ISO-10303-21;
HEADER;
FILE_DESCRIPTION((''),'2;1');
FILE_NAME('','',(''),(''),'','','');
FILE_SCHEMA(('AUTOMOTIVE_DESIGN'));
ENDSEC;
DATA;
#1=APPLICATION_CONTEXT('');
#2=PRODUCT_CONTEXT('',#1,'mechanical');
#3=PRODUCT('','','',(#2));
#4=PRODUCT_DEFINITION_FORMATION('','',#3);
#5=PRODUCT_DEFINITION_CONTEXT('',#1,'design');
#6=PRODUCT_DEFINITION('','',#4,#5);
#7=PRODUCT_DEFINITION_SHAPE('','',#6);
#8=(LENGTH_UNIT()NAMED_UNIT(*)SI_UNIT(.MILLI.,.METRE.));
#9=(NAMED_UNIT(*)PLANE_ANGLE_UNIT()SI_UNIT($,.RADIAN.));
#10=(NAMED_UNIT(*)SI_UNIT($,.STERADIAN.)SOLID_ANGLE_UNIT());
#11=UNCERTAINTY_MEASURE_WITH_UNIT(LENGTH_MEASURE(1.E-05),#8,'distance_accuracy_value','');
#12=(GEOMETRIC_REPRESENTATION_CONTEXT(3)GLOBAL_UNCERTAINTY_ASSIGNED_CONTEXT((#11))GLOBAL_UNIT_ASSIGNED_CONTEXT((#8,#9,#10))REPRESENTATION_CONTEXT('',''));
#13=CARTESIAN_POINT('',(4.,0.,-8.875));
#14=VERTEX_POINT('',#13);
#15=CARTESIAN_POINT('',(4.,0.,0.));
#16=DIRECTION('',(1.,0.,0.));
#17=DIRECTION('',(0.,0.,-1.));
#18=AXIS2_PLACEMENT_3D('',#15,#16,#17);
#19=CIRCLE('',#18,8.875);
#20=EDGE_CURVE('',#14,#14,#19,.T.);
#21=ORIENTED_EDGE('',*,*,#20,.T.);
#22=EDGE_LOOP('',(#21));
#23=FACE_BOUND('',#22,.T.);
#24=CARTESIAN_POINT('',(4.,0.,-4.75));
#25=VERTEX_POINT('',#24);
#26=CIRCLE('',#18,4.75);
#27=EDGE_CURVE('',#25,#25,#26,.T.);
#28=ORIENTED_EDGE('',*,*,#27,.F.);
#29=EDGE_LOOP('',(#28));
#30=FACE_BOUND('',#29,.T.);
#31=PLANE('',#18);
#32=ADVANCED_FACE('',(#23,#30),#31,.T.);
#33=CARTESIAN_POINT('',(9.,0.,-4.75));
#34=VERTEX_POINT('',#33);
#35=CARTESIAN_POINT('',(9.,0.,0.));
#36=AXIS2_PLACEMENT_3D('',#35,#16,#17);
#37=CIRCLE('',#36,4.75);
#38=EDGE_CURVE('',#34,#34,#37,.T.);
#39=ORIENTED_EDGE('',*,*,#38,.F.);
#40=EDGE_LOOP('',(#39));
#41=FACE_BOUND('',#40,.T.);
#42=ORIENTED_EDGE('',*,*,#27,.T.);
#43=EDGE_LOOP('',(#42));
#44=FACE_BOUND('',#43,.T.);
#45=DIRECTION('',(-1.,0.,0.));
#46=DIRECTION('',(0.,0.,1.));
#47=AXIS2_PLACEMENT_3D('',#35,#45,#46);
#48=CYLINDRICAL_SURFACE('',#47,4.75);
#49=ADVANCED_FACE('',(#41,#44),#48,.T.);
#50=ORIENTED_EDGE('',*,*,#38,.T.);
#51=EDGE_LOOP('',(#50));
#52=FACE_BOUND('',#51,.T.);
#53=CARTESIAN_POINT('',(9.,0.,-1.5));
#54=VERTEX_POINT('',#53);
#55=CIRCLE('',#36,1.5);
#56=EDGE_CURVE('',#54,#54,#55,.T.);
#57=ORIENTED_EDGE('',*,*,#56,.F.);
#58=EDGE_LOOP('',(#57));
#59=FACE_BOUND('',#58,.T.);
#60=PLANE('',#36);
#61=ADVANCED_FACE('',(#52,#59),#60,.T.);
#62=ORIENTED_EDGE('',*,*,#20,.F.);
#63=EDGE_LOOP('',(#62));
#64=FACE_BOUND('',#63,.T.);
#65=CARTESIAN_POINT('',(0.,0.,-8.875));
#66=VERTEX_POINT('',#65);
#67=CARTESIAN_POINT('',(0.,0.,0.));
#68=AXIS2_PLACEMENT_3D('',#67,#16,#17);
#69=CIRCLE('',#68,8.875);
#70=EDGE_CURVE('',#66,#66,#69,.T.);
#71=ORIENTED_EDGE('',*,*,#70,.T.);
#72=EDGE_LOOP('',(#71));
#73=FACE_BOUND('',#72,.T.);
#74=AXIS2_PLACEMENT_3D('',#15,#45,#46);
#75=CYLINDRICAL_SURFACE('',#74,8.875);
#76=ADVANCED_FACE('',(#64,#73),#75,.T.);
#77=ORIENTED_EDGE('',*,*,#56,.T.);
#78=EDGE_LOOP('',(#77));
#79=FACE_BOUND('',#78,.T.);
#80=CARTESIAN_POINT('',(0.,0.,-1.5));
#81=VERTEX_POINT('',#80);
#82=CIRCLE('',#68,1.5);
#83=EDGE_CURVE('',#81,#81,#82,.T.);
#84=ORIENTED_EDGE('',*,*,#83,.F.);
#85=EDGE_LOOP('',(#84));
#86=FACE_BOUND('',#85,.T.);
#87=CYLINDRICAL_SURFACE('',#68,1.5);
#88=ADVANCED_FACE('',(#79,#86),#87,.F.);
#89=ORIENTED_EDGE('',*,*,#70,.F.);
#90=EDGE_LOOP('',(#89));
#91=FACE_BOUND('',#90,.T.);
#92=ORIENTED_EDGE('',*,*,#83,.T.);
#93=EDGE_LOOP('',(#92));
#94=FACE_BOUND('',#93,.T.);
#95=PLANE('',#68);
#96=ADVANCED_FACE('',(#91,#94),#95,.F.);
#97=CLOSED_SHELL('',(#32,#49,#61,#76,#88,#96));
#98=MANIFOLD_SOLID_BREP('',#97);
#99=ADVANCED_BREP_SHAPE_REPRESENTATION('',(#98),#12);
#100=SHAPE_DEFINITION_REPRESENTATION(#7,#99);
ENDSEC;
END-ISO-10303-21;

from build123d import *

# Parameters (mm, degrees)
SKETCH1_R           = 8.875
BOSS_EXTRUDE1_DEPTH = 4
SKETCH2_R           = 4.75
BOSS_EXTRUDE2_DEPTH = 5
SKETCH3_R           = 1.5
CUT_EXTRUDE1_DEPTH  = 10


with BuildPart() as part:
    # Sketch1 → Boss-Extrude1 (new body)
    with BuildSketch(Plane(origin=(0, 0, 0), x_dir=(0, 0, -1), z_dir=(1, 0, 0))):
        Circle(SKETCH1_R)
    extrude(amount=BOSS_EXTRUDE1_DEPTH)

    # Sketch2 → Boss-Extrude2 (add)
    with BuildSketch(Plane(origin=(4, 0, 0), x_dir=(0, 0, -1), z_dir=(1, 0, 0))):
        Circle(SKETCH2_R)
    extrude(amount=BOSS_EXTRUDE2_DEPTH)

    # Sketch3 → Cut-Extrude1 (cut, through all)
    with BuildSketch(Plane(origin=(9, 0, 0), x_dir=(0, 0, -1), z_dir=(1, 0, 0))):
        Circle(SKETCH3_R)
    extrude(amount=-CUT_EXTRUDE1_DEPTH, mode=Mode.SUBTRACT)


solid = part.part
